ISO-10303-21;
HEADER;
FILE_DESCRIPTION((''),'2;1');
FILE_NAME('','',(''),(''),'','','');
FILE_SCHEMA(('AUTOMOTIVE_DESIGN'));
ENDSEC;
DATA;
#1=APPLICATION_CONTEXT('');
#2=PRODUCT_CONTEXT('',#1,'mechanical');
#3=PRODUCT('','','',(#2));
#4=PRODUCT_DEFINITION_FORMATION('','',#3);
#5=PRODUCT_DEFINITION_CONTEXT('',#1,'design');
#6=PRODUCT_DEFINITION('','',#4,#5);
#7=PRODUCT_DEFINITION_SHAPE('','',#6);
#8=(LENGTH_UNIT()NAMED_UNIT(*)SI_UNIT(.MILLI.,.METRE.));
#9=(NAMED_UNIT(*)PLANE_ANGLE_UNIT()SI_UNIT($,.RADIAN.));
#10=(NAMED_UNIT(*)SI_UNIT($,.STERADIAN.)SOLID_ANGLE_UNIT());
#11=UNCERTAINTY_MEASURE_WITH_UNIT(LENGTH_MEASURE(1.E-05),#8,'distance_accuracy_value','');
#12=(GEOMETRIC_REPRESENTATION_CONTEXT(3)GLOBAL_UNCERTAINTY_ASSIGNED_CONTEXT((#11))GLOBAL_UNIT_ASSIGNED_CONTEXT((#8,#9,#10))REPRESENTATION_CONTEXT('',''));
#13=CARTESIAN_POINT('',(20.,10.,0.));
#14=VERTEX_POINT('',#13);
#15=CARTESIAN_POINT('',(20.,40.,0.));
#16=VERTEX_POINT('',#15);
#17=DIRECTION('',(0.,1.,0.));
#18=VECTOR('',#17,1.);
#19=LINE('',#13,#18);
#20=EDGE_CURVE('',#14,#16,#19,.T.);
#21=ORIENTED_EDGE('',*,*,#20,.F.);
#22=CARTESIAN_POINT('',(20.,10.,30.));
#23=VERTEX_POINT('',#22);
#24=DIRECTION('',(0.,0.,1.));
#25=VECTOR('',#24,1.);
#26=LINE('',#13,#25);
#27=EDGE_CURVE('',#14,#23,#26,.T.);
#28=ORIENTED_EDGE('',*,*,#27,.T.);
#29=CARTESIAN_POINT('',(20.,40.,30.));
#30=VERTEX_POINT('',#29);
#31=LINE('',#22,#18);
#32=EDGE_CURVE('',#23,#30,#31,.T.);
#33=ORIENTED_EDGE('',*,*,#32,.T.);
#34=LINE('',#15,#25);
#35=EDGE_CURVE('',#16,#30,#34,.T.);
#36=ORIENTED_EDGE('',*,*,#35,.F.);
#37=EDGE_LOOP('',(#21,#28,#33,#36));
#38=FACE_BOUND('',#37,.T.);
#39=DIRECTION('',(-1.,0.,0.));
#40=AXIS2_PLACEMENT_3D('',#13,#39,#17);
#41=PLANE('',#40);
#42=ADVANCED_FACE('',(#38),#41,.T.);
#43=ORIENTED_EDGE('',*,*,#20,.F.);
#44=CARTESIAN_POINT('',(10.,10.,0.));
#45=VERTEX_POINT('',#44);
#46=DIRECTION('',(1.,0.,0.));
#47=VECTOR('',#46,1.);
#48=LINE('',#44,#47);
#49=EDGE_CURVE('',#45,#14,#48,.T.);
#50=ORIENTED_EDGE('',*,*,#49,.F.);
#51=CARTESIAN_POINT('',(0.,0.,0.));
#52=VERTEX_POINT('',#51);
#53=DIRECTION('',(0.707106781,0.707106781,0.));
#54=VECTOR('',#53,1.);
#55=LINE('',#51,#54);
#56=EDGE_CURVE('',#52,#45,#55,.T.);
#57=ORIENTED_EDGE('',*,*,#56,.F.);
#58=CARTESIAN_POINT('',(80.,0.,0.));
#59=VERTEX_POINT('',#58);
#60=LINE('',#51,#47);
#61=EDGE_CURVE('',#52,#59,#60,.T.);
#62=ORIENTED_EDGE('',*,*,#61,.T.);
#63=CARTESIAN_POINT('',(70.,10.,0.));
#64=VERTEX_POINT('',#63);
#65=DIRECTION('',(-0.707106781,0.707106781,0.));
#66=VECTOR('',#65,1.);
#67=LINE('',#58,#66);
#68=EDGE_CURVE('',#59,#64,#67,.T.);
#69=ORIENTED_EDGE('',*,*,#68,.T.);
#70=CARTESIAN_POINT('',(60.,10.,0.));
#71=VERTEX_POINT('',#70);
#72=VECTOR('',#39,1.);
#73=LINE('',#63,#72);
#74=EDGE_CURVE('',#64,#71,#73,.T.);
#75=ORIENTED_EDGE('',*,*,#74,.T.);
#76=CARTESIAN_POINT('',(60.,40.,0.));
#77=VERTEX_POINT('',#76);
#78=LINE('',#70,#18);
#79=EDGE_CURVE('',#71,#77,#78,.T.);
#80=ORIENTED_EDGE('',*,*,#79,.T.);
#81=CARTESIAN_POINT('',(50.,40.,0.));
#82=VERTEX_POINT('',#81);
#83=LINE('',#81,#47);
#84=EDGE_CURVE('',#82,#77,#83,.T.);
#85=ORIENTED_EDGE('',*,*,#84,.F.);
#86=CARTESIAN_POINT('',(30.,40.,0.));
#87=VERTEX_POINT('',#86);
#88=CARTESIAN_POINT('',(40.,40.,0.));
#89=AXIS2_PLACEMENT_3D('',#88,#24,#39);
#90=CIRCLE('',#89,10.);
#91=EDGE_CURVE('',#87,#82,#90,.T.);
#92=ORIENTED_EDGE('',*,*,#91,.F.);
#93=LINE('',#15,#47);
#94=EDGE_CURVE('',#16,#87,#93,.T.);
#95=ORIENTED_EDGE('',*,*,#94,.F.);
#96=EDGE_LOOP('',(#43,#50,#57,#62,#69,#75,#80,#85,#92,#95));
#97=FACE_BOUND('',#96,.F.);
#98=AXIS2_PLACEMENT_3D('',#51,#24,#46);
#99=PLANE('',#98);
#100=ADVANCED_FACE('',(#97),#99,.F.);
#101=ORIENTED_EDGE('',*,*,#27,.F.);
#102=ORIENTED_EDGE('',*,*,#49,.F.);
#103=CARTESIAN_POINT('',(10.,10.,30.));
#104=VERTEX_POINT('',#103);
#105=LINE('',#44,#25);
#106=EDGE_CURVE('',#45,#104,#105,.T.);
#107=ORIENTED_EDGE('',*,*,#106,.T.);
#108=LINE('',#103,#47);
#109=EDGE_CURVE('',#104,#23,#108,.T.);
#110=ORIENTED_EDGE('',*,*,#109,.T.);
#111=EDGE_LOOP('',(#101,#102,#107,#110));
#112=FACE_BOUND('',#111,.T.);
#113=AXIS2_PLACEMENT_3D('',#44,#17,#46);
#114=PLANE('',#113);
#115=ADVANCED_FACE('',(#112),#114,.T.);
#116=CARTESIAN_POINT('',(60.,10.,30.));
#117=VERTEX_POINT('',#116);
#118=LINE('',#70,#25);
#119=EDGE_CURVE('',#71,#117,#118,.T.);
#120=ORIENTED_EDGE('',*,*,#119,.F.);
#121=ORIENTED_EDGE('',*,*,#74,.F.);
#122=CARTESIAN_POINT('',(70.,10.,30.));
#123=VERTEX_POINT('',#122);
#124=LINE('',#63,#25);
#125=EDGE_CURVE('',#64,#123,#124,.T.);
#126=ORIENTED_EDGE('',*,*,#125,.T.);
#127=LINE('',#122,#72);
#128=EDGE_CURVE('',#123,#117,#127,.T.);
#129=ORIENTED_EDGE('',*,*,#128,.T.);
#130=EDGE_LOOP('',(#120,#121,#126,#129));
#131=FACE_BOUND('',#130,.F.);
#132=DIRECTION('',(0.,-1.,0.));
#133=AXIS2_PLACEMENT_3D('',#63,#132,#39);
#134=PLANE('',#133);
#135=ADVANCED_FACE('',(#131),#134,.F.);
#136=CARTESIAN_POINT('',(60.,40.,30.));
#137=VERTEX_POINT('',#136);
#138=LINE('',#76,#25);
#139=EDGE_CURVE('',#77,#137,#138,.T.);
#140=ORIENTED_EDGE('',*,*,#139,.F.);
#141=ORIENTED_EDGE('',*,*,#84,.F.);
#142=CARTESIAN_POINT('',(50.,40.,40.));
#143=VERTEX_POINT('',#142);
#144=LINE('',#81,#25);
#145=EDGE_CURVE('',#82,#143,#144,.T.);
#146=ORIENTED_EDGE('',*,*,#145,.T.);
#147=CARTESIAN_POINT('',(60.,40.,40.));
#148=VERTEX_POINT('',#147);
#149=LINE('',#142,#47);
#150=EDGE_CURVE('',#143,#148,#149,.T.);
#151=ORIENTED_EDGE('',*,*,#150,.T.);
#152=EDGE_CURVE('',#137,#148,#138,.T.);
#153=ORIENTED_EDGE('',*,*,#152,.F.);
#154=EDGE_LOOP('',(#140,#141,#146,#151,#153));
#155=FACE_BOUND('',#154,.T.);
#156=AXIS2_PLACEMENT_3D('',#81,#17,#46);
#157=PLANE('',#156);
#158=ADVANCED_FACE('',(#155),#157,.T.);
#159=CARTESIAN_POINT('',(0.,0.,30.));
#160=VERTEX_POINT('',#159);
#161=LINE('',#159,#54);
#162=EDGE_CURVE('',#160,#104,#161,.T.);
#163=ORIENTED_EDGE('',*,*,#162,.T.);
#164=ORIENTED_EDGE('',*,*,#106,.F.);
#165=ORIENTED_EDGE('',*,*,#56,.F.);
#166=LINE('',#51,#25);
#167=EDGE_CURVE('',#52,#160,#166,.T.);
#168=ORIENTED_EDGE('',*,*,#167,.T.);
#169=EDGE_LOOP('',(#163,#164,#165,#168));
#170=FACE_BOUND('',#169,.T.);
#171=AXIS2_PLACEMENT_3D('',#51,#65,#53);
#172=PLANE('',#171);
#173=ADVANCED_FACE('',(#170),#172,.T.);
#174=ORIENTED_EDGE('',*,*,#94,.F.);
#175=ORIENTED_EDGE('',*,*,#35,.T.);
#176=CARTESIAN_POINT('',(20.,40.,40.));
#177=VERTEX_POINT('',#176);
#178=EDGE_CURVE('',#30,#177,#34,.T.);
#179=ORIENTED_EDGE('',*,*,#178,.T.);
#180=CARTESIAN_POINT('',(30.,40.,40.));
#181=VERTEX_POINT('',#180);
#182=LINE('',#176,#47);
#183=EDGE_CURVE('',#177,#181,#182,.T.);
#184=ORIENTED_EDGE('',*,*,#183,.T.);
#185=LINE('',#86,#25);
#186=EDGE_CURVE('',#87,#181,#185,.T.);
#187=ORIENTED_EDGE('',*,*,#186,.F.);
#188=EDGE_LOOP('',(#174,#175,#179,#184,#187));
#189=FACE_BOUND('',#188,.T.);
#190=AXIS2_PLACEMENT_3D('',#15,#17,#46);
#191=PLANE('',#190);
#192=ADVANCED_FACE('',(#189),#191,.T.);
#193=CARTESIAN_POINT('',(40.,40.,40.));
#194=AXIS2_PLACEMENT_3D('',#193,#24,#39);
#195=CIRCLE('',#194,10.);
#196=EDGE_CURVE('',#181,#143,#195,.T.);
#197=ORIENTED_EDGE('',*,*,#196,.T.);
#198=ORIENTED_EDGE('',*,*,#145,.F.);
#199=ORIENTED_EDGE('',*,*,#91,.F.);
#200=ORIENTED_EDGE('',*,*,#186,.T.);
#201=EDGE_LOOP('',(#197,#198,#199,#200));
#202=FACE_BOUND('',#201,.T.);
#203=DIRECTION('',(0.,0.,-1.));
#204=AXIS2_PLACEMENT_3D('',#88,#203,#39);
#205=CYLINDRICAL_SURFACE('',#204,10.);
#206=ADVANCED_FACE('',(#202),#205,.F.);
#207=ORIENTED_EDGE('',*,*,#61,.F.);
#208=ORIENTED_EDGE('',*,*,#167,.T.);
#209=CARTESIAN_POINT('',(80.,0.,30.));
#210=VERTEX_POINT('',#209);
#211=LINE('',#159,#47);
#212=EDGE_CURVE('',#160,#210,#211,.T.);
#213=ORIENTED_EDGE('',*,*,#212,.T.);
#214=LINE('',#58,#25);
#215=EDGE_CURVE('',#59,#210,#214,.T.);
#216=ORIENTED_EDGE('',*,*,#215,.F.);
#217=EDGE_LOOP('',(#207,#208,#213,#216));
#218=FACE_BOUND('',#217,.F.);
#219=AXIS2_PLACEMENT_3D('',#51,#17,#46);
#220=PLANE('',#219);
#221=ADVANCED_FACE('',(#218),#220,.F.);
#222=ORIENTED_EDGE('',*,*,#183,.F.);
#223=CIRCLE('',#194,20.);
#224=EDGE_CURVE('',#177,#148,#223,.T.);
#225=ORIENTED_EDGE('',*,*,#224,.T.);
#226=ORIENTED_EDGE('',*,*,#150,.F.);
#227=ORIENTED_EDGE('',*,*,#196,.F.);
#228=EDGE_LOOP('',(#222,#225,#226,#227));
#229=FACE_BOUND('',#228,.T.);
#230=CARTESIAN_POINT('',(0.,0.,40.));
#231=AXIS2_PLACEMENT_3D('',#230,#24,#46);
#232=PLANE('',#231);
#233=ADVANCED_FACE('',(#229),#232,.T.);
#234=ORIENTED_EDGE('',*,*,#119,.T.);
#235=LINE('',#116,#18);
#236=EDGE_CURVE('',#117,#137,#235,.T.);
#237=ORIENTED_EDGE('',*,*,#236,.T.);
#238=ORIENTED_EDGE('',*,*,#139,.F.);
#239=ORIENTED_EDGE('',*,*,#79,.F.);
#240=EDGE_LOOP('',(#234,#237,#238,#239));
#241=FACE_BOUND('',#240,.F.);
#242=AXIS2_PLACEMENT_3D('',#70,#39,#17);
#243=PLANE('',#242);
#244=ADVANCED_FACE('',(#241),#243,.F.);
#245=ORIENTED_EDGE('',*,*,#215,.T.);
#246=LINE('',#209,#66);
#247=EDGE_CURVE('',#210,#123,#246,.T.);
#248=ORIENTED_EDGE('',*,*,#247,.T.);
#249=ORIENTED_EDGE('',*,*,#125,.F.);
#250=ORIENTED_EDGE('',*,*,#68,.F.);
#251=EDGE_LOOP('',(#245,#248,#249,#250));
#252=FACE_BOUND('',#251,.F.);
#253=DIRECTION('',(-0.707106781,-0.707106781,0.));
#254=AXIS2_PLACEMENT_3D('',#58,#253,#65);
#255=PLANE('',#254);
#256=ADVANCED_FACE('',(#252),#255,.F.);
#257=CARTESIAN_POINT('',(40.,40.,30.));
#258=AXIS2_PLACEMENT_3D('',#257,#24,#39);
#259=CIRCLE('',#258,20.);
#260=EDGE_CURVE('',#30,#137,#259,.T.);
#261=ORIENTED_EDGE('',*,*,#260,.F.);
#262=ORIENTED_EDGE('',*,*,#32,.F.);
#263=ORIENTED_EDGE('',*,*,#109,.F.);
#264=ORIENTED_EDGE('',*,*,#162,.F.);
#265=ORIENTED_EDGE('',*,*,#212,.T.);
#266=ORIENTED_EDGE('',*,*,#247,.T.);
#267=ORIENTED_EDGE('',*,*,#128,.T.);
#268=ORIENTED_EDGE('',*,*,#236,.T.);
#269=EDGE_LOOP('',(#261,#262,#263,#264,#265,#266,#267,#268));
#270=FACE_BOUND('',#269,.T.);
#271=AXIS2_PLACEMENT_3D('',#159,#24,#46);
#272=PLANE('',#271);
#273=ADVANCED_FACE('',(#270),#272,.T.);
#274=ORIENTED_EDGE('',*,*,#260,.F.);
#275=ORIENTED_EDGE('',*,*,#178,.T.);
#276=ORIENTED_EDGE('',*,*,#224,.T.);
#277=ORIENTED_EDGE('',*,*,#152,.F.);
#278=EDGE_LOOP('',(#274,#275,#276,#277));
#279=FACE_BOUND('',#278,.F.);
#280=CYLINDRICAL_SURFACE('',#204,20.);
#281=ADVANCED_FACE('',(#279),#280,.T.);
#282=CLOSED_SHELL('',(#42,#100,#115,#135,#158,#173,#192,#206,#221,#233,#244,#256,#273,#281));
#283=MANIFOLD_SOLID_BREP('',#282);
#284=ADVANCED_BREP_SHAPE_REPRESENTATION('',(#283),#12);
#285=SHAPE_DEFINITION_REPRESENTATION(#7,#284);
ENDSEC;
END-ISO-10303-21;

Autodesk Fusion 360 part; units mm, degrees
sketch "Sketch1" plane through (0, 0, 0) normal (0, 0, 1) x (1, 0, 0)
  line L0 (0, 0) -> (80, 0)
  line L1 (80, 0) -> (70, 10)
  line L2 (70, 10) -> (60, 10)
  line L3 (60, 10) -> (60, 40)
  line L4 (0, 0) -> (10, 10)
  line L5 (10, 10) -> (20, 10)
  line L6 (20, 10) -> (20, 40)
  arc A0 (20, 40) -> (60, 40) centre (40, 40) ccw
  line L7 (20, 40) -> (30, 40)
  line L8 (30, 40) -> (20, 40)
  line L9 (50, 40) -> (60, 40)
  arc A1 (30, 40) -> (50, 40) centre (40, 40) ccw
  dimension "d1" = 80
  dimension "d2" = 10
  dimension "d3" = 45
  dimension "d4" = 10
  dimension "d5" = 45
  dimension "d6" = 40
  dimension "d8" = 30
  dimension "d9" = 30
  dimension "d10" = 10
  dimension "d11" = 20
  dimension "d15" = 10
  dimension "d16" = 20
extrude "Extrude1" add sketch "Sketch1" along normal blind 30 contours L0 L1 L2 L3 L4 L5 L6 A0
extrude "Extrude2" add sketch "Sketch1" along normal blind 40 contours A0 L7 L8 L9 A1
